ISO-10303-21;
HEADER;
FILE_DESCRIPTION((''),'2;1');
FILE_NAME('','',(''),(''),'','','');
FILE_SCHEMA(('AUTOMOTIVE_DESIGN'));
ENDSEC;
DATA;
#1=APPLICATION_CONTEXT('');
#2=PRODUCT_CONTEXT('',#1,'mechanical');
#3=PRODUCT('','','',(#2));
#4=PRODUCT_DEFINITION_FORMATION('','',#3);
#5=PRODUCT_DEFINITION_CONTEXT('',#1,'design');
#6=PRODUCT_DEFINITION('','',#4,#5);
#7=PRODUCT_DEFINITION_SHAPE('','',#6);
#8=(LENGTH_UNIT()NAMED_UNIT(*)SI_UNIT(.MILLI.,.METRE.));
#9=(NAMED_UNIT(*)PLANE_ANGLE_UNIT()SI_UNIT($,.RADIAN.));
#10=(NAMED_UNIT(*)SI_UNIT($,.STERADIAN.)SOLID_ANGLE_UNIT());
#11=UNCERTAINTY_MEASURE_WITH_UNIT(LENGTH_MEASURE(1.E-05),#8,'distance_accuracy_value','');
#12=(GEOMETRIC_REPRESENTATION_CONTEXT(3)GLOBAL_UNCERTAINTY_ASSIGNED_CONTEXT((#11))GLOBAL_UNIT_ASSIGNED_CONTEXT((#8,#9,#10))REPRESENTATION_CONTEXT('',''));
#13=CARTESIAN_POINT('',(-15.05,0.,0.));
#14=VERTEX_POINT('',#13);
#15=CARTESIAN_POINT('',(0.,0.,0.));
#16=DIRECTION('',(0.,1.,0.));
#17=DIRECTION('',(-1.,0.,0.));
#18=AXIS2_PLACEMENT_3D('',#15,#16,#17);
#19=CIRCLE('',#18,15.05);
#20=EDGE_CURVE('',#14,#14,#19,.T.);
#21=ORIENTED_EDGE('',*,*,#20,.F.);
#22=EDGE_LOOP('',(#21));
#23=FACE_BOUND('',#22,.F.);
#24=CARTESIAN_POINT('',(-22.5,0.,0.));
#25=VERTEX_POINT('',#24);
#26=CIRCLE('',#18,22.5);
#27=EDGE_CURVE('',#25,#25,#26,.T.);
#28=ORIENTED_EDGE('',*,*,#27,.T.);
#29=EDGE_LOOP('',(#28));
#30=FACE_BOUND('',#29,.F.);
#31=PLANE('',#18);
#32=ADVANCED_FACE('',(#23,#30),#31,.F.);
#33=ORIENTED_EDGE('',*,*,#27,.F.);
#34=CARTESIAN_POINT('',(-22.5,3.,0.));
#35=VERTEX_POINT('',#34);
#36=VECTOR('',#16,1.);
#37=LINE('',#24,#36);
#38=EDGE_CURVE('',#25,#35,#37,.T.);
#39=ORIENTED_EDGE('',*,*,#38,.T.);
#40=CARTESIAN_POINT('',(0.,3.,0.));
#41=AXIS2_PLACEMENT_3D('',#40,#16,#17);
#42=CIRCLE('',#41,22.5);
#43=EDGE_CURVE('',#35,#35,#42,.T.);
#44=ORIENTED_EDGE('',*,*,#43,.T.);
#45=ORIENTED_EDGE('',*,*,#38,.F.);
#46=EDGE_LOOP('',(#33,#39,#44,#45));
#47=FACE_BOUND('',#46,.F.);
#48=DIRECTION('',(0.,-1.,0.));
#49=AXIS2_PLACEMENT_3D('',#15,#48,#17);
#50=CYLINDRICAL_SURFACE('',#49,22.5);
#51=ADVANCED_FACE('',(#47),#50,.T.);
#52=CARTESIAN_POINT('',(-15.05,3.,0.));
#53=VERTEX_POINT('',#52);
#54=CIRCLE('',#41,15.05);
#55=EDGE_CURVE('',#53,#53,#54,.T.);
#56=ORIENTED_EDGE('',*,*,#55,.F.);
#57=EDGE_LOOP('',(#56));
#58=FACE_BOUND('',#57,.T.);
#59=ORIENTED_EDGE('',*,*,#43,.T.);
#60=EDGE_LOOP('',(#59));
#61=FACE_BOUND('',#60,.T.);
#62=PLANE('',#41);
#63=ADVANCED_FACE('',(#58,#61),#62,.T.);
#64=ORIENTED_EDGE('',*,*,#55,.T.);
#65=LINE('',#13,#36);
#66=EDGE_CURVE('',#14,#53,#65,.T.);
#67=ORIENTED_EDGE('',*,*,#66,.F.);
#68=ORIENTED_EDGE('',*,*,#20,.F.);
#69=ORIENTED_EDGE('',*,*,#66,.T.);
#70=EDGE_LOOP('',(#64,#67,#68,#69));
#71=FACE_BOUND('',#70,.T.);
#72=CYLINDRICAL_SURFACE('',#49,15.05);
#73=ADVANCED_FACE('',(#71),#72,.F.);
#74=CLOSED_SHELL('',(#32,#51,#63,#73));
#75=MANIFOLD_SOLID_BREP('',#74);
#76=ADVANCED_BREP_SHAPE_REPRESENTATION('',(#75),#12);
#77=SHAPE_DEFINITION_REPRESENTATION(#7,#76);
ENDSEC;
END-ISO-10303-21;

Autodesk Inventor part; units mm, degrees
ref_plane "YZ Plane" through (0, 0, 0) normal (1, 0, 0) x (0, 1, 0)
ref_plane "XZ Plane" through (0, 0, 0) normal (0, 1, 0) x (-1, 0, 0)
ref_plane "XY Plane" through (0, 0, 0) normal (0, 0, 1) x (1, 0, 0)
sketch "Sketch1" plane through (0, 0, 0) normal (0, 1, 0) x (-1, 0, 0)
  circle A0 centre (0, 0) radius 15.05
  circle A1 centre (0, 0) radius 22.5
  dimension "d0" = 30.1
  dimension "d1" = 45
extrude "Extrusion1" add sketch "Sketch1" along normal blind 3
properties part number "WheelHolder_S2" material "Steel, Alloy"
